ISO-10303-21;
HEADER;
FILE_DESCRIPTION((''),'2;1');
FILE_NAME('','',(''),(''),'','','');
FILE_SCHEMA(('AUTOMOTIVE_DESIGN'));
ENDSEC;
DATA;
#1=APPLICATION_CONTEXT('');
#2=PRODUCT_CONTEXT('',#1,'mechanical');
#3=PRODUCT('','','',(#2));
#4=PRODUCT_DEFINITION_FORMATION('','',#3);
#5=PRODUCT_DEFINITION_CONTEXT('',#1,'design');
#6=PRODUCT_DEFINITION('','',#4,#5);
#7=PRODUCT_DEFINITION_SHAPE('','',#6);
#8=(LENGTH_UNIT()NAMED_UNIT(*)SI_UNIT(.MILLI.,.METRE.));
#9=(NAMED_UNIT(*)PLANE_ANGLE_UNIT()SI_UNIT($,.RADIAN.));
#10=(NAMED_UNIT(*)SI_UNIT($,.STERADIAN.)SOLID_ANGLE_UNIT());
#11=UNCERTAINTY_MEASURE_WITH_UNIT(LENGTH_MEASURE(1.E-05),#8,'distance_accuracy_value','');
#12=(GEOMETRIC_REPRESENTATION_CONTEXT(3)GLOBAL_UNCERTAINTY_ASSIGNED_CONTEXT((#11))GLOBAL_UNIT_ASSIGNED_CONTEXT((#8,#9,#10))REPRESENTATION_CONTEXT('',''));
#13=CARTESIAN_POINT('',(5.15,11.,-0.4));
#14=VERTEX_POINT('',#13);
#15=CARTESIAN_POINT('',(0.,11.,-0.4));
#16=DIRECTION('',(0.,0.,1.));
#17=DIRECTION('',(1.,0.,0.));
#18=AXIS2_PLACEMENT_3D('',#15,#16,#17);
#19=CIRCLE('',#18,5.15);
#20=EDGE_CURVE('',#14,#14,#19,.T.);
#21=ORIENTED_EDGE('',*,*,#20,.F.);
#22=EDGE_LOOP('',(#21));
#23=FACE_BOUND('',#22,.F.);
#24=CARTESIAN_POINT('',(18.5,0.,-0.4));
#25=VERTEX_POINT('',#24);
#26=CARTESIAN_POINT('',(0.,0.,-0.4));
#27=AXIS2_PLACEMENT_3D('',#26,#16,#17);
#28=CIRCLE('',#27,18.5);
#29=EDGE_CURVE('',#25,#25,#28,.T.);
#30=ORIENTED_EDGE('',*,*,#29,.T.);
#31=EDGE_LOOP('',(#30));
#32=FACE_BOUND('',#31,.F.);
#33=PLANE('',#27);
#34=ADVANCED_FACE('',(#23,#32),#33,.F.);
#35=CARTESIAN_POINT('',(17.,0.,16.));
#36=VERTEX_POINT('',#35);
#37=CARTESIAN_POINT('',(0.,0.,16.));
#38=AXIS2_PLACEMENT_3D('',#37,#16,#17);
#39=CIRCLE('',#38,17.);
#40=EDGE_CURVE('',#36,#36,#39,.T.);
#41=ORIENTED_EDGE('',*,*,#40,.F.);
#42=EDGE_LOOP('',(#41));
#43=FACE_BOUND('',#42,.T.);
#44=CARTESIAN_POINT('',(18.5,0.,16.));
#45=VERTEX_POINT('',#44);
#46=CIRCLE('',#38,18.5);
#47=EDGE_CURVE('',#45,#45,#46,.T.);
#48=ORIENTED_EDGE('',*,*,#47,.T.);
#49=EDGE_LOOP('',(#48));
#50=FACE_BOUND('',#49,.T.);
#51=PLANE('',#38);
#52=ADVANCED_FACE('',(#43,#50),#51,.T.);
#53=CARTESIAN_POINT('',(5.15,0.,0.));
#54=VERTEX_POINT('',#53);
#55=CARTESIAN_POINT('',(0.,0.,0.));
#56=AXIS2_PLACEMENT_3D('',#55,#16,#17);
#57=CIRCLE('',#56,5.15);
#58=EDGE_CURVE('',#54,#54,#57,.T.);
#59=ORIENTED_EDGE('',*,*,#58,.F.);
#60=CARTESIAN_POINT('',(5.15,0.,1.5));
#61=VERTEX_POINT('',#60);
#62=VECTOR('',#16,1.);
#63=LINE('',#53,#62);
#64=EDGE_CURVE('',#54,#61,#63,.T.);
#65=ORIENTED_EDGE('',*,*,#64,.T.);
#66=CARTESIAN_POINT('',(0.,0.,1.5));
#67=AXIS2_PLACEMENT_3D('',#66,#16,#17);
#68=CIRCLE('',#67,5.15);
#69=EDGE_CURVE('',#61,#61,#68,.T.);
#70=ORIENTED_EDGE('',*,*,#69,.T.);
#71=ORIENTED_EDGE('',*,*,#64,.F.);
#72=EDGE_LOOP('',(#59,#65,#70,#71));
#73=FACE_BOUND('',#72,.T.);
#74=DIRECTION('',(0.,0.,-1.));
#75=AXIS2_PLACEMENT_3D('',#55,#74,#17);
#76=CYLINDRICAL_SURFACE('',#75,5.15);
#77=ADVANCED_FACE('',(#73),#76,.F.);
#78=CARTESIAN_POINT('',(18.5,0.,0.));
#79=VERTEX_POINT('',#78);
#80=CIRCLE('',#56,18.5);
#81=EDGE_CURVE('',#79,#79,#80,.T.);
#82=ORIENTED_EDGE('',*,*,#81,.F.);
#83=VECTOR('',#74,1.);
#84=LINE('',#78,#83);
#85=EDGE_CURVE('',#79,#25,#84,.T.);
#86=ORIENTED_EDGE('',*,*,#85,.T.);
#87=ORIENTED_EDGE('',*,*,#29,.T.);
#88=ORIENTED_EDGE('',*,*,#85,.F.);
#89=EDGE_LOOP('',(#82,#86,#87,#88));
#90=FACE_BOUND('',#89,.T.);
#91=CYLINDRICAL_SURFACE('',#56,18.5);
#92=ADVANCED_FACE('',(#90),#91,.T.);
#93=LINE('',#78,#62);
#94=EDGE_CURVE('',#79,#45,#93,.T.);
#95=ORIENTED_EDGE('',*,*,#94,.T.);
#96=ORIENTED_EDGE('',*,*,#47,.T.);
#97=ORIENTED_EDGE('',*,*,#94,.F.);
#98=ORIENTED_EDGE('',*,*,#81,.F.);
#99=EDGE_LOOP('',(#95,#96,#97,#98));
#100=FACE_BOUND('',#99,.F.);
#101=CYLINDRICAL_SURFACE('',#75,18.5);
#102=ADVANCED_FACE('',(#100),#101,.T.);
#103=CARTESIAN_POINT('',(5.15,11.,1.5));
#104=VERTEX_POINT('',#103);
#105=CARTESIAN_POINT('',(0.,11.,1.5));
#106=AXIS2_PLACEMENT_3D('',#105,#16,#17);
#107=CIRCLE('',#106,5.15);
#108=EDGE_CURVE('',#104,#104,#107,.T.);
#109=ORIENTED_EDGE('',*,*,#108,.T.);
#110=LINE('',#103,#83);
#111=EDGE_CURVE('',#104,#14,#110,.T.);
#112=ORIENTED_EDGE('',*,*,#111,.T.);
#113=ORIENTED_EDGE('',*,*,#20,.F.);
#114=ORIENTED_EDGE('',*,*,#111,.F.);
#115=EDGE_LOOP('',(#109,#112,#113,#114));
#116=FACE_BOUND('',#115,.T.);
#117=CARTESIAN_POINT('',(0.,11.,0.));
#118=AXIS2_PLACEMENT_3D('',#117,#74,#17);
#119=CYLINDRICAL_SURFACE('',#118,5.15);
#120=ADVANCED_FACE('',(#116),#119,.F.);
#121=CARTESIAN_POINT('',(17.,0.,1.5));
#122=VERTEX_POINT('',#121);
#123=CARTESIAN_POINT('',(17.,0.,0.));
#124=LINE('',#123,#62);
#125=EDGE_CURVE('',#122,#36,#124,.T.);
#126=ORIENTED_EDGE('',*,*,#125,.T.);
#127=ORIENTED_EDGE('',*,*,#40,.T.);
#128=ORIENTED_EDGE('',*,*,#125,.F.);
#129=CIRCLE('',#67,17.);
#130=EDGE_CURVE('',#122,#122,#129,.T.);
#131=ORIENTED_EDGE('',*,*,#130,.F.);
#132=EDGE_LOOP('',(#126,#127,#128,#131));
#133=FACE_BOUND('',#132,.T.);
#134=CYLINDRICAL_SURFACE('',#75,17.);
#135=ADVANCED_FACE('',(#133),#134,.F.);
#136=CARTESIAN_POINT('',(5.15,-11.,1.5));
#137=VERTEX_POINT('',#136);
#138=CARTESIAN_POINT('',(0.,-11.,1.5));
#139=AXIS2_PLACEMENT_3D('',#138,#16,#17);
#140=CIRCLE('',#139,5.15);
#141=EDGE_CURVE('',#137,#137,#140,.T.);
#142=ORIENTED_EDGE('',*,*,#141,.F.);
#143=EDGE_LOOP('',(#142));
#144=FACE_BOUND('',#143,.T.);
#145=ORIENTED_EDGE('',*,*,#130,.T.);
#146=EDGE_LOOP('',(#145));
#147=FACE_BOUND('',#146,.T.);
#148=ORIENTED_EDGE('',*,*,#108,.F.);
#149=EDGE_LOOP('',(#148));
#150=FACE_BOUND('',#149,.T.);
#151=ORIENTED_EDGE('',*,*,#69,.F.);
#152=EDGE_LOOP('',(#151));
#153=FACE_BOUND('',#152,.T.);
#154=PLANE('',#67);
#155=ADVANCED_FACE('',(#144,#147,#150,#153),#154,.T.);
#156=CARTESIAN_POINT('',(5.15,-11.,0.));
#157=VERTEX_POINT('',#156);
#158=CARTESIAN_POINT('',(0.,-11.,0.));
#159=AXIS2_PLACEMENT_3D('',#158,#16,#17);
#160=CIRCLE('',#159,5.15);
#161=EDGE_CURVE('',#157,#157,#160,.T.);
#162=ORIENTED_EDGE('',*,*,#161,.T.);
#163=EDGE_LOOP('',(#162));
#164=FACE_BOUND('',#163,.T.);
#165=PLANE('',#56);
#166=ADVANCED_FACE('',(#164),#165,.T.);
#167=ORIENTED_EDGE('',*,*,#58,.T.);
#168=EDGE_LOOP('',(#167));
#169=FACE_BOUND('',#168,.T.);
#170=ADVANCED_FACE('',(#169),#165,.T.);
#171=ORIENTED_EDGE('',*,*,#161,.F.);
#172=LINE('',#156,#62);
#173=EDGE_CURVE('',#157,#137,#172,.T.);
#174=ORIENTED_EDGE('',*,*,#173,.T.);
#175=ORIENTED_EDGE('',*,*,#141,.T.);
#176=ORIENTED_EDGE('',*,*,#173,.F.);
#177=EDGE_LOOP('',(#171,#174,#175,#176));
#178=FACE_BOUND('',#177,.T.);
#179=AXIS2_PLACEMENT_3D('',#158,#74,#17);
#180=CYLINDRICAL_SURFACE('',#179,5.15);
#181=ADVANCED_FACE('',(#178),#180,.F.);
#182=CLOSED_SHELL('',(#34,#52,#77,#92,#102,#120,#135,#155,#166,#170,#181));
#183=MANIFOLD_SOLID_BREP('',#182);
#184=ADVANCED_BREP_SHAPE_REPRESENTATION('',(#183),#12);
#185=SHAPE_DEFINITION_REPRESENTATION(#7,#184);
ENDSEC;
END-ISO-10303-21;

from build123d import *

# Parameters (mm, degrees)
F2_R     = 18.5
F2_R_2   = 17
F2_R_3   = 5.15
F3_DEPTH = 0.4
F4_DEPTH = 1.5
F5_DEPTH = 16


with BuildPart() as f3:
    # F2 (on Top) → F3 (new body)
    with BuildSketch(Plane.XY):
        Circle(F2_R)
        Circle(F2_R_2, mode=Mode.SUBTRACT)
        Circle(F2_R_2)
        with Locations((0, -11)):
            Circle(F2_R_3, mode=Mode.SUBTRACT)
        Circle(F2_R_3, mode=Mode.SUBTRACT)
        with Locations((0, 11)):
            Circle(F2_R_3, mode=Mode.SUBTRACT)
        Circle(F2_R_3)
        with Locations((0, -11)):
            Circle(F2_R_3)
    extrude(amount=-F3_DEPTH)

    # F2 (on Top) → F4 (join)
    with BuildSketch(Plane.XY):
        Circle(F2_R_2)
        with Locations((0, -11)):
            Circle(F2_R_3, mode=Mode.SUBTRACT)
        Circle(F2_R_3, mode=Mode.SUBTRACT)
        with Locations((0, 11)):
            Circle(F2_R_3, mode=Mode.SUBTRACT)
    extrude(amount=F4_DEPTH)

    # F2 (on Top) → F5 (join)
    with BuildSketch(Plane.XY):
        Circle(F2_R)
        Circle(F2_R_2, mode=Mode.SUBTRACT)
    extrude(amount=F5_DEPTH)


solid = f3.part
